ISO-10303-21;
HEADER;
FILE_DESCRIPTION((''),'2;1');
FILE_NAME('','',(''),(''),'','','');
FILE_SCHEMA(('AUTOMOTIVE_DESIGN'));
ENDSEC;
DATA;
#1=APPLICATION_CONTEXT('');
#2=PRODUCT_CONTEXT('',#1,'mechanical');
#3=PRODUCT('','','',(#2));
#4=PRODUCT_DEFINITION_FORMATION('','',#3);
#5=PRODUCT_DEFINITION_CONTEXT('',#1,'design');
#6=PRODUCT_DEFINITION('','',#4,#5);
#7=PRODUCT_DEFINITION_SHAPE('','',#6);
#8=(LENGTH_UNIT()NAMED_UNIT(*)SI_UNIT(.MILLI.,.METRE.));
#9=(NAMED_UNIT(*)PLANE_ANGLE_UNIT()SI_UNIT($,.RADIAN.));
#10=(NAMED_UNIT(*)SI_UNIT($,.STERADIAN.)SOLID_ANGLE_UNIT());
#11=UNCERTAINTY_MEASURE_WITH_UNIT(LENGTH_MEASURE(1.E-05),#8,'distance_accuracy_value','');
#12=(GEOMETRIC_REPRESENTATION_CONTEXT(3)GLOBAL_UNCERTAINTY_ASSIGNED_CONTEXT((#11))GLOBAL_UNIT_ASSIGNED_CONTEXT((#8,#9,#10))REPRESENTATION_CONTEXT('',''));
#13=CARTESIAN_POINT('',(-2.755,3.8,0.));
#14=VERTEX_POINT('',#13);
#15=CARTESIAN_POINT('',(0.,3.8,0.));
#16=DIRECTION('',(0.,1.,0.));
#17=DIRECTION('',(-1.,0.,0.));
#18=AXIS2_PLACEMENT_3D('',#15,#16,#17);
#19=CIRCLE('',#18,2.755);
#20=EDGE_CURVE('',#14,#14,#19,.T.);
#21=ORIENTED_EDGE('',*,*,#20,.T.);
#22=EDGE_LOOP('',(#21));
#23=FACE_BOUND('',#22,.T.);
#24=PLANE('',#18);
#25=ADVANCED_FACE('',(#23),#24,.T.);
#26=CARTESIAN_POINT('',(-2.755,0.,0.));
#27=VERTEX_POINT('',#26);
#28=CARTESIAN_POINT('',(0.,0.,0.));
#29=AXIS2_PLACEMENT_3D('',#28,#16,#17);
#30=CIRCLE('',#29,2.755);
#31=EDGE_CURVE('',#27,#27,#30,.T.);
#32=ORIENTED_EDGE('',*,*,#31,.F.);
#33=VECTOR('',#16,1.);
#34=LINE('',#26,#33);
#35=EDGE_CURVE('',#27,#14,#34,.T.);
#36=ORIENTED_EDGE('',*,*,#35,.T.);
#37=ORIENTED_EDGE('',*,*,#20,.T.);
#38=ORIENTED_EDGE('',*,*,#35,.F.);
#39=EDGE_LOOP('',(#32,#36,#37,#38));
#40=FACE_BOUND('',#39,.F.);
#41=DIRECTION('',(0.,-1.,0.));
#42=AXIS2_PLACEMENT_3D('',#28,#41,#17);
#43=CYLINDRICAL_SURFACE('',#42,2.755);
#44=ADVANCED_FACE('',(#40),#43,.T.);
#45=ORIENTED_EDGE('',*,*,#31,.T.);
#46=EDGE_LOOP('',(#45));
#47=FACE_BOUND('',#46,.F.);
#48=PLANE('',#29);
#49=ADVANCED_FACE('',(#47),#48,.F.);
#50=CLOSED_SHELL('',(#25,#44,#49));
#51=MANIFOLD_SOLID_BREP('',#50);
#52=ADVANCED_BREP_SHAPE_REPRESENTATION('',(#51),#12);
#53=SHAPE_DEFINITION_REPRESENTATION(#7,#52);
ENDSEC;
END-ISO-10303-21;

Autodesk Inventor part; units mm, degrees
ref_plane "YZ Plane" through (0, 0, 0) normal (1, 0, 0) x (0, 1, 0)
ref_plane "XZ Plane" through (0, 0, 0) normal (0, 1, 0) x (-1, 0, 0)
ref_plane "XY Plane" through (0, 0, 0) normal (0, 0, 1) x (1, 0, 0)
sketch "Sketch1" plane through (0, 0, 0) normal (0, 1, 0) x (-1, 0, 0)
  circle A0 centre (0, 0) radius 2.755
  dimension "d0" = 5.51
extrude "Extrusion1" add sketch "Sketch1" along normal blind 3.8
properties material "ABS Plastic"
